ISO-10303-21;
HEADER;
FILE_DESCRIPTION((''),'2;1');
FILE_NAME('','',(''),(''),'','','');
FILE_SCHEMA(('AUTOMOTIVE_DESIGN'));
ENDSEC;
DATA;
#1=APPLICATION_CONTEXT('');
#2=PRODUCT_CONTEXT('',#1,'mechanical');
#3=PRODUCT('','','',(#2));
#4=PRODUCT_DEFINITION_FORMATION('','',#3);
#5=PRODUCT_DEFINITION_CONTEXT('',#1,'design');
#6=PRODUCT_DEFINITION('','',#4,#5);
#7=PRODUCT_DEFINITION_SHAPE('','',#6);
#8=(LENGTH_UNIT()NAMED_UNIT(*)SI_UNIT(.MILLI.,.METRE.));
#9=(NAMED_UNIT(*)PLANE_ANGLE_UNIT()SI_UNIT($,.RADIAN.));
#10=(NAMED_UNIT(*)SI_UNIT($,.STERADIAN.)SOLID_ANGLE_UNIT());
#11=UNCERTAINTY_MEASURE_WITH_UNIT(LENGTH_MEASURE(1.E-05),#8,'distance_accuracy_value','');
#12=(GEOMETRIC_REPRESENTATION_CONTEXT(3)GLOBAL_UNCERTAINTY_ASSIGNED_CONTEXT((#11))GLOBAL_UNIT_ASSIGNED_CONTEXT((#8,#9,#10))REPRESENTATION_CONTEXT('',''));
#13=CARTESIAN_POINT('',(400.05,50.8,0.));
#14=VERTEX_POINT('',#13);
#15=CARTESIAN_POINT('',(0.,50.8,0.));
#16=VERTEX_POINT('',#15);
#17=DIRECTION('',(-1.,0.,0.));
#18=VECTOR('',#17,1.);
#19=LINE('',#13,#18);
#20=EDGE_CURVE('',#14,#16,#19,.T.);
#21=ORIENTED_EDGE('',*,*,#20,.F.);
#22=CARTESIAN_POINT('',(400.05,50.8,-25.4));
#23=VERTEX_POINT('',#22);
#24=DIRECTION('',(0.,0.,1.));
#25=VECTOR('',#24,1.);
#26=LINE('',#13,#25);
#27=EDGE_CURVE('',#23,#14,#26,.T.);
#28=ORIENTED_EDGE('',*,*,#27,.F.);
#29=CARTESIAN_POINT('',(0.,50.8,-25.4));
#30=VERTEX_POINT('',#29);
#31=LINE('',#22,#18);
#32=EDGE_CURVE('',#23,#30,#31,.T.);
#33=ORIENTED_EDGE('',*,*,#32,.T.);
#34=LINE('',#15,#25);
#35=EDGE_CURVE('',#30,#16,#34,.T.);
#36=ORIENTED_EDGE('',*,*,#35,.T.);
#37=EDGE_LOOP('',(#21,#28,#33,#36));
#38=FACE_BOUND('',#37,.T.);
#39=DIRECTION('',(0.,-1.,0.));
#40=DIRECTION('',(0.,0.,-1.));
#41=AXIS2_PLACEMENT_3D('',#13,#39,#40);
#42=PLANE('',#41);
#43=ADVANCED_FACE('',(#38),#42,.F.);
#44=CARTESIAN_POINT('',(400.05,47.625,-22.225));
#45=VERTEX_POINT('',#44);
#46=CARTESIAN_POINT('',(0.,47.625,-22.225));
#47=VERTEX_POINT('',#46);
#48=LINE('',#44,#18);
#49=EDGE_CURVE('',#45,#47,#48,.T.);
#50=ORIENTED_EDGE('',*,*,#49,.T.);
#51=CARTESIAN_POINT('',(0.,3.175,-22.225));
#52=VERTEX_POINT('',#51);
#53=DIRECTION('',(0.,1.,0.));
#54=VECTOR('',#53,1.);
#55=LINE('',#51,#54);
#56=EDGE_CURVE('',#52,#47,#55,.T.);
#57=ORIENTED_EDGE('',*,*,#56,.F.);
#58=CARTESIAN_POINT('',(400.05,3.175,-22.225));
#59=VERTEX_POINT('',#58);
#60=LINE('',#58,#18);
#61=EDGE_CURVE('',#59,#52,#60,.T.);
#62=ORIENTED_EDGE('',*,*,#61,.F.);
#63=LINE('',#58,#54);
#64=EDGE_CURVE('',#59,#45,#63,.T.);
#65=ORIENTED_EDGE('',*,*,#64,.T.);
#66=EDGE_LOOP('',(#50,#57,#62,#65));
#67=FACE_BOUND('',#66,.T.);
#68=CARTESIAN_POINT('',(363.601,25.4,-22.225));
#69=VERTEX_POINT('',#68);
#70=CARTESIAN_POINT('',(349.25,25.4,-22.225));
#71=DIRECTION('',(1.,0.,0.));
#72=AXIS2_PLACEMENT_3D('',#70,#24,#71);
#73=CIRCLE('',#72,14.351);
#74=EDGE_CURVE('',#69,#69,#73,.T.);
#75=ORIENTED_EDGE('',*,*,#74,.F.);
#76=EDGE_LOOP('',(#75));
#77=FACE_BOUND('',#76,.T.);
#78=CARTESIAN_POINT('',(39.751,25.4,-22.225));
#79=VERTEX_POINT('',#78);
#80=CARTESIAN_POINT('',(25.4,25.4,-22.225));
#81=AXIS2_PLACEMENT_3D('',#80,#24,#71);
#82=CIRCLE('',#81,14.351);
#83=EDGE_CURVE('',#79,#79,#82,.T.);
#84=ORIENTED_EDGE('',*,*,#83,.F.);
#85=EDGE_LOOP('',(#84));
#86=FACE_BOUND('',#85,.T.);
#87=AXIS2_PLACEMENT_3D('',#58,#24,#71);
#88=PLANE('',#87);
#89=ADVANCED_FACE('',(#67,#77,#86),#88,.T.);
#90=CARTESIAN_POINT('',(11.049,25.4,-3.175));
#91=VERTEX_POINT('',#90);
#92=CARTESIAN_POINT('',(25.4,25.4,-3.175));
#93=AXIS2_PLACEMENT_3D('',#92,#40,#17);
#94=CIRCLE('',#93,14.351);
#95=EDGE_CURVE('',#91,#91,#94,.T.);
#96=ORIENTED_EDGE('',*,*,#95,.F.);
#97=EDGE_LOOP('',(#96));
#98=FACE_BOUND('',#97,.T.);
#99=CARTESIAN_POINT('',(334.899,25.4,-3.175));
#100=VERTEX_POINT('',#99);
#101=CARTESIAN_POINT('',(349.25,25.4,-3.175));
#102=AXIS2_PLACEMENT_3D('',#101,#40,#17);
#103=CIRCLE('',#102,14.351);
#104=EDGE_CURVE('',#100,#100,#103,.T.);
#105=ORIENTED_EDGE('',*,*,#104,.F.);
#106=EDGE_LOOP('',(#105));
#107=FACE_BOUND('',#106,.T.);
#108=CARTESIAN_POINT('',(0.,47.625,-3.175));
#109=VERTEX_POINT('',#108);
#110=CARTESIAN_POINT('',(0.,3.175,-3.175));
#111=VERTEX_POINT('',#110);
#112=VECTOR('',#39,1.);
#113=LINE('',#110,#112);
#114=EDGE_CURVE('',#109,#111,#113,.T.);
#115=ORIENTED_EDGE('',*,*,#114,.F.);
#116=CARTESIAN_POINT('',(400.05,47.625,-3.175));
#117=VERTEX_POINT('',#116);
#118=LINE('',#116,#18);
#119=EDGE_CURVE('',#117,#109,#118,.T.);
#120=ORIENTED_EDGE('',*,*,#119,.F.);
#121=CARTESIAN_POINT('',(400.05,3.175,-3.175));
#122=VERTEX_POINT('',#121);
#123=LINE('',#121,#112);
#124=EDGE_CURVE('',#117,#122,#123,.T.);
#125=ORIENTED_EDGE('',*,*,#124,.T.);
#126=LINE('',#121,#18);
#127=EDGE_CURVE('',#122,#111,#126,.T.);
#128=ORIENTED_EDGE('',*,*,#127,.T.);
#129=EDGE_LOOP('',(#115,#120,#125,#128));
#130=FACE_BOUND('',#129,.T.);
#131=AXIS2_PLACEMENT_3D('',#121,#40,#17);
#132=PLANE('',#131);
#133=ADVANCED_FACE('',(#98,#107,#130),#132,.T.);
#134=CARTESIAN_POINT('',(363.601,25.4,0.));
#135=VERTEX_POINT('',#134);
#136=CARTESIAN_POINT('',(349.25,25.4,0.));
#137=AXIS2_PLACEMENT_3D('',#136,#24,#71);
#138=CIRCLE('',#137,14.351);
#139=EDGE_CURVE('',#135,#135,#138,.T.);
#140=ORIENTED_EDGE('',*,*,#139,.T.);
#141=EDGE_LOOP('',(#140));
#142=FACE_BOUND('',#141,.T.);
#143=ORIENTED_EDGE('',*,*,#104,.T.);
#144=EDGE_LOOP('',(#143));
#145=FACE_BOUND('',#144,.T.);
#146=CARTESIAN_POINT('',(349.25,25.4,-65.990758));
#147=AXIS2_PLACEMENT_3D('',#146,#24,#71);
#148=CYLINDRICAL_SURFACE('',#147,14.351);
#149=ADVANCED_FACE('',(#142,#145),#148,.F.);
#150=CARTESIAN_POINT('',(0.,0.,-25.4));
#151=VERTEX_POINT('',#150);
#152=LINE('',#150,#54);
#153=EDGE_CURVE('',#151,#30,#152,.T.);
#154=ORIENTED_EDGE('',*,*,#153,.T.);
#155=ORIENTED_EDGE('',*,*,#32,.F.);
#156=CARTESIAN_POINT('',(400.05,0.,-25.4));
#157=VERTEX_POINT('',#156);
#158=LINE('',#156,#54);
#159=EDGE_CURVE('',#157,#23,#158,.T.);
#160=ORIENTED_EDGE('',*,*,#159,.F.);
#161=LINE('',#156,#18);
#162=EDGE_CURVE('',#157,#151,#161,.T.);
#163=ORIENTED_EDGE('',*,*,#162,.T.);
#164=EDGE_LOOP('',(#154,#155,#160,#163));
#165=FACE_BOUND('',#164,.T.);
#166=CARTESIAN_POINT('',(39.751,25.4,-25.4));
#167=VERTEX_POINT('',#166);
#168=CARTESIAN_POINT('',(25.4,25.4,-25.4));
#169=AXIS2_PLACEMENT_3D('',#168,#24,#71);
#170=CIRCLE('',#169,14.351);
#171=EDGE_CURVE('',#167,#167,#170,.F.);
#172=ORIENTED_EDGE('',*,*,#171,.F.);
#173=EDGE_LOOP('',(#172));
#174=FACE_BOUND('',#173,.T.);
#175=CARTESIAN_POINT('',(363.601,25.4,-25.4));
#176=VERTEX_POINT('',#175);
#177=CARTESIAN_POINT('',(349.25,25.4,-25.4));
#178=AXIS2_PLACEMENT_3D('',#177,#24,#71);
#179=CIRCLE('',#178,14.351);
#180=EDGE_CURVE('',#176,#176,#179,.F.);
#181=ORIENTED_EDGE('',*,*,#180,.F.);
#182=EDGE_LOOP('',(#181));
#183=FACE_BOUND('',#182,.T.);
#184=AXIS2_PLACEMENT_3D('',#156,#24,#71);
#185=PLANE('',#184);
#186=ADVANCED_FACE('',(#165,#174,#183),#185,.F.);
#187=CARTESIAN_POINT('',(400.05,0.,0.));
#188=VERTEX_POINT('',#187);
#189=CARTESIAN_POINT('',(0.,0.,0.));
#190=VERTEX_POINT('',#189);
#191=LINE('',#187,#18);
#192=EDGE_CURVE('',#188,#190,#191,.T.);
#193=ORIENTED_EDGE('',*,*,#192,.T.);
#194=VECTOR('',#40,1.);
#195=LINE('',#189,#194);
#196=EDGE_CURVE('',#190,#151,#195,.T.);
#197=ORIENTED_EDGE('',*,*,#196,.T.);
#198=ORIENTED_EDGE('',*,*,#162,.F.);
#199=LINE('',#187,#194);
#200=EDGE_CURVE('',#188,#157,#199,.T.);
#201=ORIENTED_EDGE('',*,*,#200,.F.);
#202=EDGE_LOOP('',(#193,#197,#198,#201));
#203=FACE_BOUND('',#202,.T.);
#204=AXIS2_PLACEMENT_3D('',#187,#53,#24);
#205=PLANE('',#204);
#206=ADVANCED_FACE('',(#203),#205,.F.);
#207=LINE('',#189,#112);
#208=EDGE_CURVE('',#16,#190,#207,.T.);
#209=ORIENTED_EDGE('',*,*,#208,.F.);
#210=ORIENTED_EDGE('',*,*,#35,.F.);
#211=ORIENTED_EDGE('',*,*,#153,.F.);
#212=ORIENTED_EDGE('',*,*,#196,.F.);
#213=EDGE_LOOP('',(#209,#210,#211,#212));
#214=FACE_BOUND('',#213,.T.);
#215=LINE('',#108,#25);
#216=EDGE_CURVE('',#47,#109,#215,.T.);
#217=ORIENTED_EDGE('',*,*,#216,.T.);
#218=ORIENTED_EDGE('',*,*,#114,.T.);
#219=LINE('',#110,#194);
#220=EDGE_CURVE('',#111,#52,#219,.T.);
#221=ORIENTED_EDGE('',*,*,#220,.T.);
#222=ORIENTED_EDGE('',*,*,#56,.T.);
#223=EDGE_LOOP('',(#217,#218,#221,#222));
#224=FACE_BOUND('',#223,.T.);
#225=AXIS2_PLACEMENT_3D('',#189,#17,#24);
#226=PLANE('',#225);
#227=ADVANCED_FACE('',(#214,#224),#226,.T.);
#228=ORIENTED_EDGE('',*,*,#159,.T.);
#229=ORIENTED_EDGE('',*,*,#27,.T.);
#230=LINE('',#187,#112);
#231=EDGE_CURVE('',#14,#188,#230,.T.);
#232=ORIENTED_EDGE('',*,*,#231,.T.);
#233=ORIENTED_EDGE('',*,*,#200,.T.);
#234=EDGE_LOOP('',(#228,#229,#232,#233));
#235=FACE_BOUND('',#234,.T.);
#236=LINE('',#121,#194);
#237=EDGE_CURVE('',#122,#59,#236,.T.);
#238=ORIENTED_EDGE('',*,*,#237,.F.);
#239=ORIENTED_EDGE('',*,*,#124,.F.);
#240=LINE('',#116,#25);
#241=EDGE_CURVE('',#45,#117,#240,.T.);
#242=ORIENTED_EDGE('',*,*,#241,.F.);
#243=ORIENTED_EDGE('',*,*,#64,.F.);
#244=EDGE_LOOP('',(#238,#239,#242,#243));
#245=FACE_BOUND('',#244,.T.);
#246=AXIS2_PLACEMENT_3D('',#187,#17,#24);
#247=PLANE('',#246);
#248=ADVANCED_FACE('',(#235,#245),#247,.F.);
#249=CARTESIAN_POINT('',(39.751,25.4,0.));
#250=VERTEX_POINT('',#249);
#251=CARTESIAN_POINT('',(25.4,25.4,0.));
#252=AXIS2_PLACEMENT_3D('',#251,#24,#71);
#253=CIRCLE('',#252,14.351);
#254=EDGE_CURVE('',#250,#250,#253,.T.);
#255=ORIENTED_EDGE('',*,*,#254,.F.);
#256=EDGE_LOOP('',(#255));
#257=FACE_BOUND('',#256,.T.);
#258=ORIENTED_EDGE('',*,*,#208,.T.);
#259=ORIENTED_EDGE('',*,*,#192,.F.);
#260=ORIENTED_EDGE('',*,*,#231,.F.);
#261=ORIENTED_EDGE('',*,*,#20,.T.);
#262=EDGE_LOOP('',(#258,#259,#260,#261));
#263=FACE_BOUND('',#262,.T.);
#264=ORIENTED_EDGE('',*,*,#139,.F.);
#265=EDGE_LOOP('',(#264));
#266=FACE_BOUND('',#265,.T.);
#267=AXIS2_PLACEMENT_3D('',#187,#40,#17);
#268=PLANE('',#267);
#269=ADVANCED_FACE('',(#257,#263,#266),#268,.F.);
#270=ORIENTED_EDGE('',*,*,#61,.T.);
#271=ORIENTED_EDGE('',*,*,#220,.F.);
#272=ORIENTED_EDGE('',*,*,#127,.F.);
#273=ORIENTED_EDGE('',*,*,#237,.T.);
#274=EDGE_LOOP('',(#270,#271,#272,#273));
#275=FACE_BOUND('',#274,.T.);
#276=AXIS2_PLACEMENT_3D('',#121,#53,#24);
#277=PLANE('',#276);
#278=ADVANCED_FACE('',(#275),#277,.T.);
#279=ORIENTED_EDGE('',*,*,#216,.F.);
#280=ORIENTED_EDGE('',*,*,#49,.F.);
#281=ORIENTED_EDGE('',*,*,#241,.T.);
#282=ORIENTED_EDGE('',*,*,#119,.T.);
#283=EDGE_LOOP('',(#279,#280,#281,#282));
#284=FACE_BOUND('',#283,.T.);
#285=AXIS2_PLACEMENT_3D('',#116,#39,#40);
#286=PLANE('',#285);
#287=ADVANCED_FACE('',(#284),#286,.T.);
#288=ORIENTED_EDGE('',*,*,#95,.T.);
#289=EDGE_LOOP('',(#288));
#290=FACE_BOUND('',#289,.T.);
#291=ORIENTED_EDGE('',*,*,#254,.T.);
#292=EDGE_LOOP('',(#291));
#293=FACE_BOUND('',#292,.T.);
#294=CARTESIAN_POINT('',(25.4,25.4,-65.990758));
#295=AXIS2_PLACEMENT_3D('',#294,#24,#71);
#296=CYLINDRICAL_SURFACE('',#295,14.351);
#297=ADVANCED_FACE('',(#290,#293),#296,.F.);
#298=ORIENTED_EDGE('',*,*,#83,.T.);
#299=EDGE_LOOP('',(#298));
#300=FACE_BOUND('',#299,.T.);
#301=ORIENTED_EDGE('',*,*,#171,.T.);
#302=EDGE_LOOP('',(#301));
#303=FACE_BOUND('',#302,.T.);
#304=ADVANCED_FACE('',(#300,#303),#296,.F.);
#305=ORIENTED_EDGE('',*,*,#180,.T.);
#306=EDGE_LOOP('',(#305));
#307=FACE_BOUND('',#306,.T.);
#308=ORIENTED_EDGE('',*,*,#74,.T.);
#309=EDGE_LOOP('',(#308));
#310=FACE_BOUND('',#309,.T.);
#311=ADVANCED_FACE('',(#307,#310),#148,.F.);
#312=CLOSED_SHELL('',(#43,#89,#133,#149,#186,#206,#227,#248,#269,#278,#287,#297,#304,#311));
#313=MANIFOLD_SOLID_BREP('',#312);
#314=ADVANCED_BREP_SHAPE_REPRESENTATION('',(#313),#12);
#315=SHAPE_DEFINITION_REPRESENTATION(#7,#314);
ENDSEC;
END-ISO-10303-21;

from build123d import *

# Parameters (mm, degrees)
SKETCH1_W           = 25.4
SKETCH1_H           = 50.8
SKETCH1_W_2         = 19.05
SKETCH1_H_2         = 44.45
BOSS_EXTRUDE1_DEPTH = 400.05
SKETCH2_R           = 14.351
CUT_EXTRUDE1_DEPTH  = 25.4


with BuildPart() as part:
    # Sketch1 → Boss-Extrude1 (new body)
    with BuildSketch(Plane(origin=(0, 0, 0), x_dir=(0, 0, -1), z_dir=(1, 0, 0))):
        with Locations((12.7, 25.4)):
            Rectangle(SKETCH1_W, SKETCH1_H)
        with Locations((12.7, 25.4)):
            Rectangle(SKETCH1_W_2, SKETCH1_H_2, mode=Mode.SUBTRACT)
    extrude(amount=BOSS_EXTRUDE1_DEPTH)

    # Sketch2 → Cut-Extrude1 (cut)
    with BuildSketch(Plane.XY):
        with Locations((349.25, 25.4)):
            Circle(SKETCH2_R)
        with Locations((25.4, 25.4)):
            Circle(SKETCH2_R)
    extrude(amount=-CUT_EXTRUDE1_DEPTH, mode=Mode.SUBTRACT)


solid = part.part
